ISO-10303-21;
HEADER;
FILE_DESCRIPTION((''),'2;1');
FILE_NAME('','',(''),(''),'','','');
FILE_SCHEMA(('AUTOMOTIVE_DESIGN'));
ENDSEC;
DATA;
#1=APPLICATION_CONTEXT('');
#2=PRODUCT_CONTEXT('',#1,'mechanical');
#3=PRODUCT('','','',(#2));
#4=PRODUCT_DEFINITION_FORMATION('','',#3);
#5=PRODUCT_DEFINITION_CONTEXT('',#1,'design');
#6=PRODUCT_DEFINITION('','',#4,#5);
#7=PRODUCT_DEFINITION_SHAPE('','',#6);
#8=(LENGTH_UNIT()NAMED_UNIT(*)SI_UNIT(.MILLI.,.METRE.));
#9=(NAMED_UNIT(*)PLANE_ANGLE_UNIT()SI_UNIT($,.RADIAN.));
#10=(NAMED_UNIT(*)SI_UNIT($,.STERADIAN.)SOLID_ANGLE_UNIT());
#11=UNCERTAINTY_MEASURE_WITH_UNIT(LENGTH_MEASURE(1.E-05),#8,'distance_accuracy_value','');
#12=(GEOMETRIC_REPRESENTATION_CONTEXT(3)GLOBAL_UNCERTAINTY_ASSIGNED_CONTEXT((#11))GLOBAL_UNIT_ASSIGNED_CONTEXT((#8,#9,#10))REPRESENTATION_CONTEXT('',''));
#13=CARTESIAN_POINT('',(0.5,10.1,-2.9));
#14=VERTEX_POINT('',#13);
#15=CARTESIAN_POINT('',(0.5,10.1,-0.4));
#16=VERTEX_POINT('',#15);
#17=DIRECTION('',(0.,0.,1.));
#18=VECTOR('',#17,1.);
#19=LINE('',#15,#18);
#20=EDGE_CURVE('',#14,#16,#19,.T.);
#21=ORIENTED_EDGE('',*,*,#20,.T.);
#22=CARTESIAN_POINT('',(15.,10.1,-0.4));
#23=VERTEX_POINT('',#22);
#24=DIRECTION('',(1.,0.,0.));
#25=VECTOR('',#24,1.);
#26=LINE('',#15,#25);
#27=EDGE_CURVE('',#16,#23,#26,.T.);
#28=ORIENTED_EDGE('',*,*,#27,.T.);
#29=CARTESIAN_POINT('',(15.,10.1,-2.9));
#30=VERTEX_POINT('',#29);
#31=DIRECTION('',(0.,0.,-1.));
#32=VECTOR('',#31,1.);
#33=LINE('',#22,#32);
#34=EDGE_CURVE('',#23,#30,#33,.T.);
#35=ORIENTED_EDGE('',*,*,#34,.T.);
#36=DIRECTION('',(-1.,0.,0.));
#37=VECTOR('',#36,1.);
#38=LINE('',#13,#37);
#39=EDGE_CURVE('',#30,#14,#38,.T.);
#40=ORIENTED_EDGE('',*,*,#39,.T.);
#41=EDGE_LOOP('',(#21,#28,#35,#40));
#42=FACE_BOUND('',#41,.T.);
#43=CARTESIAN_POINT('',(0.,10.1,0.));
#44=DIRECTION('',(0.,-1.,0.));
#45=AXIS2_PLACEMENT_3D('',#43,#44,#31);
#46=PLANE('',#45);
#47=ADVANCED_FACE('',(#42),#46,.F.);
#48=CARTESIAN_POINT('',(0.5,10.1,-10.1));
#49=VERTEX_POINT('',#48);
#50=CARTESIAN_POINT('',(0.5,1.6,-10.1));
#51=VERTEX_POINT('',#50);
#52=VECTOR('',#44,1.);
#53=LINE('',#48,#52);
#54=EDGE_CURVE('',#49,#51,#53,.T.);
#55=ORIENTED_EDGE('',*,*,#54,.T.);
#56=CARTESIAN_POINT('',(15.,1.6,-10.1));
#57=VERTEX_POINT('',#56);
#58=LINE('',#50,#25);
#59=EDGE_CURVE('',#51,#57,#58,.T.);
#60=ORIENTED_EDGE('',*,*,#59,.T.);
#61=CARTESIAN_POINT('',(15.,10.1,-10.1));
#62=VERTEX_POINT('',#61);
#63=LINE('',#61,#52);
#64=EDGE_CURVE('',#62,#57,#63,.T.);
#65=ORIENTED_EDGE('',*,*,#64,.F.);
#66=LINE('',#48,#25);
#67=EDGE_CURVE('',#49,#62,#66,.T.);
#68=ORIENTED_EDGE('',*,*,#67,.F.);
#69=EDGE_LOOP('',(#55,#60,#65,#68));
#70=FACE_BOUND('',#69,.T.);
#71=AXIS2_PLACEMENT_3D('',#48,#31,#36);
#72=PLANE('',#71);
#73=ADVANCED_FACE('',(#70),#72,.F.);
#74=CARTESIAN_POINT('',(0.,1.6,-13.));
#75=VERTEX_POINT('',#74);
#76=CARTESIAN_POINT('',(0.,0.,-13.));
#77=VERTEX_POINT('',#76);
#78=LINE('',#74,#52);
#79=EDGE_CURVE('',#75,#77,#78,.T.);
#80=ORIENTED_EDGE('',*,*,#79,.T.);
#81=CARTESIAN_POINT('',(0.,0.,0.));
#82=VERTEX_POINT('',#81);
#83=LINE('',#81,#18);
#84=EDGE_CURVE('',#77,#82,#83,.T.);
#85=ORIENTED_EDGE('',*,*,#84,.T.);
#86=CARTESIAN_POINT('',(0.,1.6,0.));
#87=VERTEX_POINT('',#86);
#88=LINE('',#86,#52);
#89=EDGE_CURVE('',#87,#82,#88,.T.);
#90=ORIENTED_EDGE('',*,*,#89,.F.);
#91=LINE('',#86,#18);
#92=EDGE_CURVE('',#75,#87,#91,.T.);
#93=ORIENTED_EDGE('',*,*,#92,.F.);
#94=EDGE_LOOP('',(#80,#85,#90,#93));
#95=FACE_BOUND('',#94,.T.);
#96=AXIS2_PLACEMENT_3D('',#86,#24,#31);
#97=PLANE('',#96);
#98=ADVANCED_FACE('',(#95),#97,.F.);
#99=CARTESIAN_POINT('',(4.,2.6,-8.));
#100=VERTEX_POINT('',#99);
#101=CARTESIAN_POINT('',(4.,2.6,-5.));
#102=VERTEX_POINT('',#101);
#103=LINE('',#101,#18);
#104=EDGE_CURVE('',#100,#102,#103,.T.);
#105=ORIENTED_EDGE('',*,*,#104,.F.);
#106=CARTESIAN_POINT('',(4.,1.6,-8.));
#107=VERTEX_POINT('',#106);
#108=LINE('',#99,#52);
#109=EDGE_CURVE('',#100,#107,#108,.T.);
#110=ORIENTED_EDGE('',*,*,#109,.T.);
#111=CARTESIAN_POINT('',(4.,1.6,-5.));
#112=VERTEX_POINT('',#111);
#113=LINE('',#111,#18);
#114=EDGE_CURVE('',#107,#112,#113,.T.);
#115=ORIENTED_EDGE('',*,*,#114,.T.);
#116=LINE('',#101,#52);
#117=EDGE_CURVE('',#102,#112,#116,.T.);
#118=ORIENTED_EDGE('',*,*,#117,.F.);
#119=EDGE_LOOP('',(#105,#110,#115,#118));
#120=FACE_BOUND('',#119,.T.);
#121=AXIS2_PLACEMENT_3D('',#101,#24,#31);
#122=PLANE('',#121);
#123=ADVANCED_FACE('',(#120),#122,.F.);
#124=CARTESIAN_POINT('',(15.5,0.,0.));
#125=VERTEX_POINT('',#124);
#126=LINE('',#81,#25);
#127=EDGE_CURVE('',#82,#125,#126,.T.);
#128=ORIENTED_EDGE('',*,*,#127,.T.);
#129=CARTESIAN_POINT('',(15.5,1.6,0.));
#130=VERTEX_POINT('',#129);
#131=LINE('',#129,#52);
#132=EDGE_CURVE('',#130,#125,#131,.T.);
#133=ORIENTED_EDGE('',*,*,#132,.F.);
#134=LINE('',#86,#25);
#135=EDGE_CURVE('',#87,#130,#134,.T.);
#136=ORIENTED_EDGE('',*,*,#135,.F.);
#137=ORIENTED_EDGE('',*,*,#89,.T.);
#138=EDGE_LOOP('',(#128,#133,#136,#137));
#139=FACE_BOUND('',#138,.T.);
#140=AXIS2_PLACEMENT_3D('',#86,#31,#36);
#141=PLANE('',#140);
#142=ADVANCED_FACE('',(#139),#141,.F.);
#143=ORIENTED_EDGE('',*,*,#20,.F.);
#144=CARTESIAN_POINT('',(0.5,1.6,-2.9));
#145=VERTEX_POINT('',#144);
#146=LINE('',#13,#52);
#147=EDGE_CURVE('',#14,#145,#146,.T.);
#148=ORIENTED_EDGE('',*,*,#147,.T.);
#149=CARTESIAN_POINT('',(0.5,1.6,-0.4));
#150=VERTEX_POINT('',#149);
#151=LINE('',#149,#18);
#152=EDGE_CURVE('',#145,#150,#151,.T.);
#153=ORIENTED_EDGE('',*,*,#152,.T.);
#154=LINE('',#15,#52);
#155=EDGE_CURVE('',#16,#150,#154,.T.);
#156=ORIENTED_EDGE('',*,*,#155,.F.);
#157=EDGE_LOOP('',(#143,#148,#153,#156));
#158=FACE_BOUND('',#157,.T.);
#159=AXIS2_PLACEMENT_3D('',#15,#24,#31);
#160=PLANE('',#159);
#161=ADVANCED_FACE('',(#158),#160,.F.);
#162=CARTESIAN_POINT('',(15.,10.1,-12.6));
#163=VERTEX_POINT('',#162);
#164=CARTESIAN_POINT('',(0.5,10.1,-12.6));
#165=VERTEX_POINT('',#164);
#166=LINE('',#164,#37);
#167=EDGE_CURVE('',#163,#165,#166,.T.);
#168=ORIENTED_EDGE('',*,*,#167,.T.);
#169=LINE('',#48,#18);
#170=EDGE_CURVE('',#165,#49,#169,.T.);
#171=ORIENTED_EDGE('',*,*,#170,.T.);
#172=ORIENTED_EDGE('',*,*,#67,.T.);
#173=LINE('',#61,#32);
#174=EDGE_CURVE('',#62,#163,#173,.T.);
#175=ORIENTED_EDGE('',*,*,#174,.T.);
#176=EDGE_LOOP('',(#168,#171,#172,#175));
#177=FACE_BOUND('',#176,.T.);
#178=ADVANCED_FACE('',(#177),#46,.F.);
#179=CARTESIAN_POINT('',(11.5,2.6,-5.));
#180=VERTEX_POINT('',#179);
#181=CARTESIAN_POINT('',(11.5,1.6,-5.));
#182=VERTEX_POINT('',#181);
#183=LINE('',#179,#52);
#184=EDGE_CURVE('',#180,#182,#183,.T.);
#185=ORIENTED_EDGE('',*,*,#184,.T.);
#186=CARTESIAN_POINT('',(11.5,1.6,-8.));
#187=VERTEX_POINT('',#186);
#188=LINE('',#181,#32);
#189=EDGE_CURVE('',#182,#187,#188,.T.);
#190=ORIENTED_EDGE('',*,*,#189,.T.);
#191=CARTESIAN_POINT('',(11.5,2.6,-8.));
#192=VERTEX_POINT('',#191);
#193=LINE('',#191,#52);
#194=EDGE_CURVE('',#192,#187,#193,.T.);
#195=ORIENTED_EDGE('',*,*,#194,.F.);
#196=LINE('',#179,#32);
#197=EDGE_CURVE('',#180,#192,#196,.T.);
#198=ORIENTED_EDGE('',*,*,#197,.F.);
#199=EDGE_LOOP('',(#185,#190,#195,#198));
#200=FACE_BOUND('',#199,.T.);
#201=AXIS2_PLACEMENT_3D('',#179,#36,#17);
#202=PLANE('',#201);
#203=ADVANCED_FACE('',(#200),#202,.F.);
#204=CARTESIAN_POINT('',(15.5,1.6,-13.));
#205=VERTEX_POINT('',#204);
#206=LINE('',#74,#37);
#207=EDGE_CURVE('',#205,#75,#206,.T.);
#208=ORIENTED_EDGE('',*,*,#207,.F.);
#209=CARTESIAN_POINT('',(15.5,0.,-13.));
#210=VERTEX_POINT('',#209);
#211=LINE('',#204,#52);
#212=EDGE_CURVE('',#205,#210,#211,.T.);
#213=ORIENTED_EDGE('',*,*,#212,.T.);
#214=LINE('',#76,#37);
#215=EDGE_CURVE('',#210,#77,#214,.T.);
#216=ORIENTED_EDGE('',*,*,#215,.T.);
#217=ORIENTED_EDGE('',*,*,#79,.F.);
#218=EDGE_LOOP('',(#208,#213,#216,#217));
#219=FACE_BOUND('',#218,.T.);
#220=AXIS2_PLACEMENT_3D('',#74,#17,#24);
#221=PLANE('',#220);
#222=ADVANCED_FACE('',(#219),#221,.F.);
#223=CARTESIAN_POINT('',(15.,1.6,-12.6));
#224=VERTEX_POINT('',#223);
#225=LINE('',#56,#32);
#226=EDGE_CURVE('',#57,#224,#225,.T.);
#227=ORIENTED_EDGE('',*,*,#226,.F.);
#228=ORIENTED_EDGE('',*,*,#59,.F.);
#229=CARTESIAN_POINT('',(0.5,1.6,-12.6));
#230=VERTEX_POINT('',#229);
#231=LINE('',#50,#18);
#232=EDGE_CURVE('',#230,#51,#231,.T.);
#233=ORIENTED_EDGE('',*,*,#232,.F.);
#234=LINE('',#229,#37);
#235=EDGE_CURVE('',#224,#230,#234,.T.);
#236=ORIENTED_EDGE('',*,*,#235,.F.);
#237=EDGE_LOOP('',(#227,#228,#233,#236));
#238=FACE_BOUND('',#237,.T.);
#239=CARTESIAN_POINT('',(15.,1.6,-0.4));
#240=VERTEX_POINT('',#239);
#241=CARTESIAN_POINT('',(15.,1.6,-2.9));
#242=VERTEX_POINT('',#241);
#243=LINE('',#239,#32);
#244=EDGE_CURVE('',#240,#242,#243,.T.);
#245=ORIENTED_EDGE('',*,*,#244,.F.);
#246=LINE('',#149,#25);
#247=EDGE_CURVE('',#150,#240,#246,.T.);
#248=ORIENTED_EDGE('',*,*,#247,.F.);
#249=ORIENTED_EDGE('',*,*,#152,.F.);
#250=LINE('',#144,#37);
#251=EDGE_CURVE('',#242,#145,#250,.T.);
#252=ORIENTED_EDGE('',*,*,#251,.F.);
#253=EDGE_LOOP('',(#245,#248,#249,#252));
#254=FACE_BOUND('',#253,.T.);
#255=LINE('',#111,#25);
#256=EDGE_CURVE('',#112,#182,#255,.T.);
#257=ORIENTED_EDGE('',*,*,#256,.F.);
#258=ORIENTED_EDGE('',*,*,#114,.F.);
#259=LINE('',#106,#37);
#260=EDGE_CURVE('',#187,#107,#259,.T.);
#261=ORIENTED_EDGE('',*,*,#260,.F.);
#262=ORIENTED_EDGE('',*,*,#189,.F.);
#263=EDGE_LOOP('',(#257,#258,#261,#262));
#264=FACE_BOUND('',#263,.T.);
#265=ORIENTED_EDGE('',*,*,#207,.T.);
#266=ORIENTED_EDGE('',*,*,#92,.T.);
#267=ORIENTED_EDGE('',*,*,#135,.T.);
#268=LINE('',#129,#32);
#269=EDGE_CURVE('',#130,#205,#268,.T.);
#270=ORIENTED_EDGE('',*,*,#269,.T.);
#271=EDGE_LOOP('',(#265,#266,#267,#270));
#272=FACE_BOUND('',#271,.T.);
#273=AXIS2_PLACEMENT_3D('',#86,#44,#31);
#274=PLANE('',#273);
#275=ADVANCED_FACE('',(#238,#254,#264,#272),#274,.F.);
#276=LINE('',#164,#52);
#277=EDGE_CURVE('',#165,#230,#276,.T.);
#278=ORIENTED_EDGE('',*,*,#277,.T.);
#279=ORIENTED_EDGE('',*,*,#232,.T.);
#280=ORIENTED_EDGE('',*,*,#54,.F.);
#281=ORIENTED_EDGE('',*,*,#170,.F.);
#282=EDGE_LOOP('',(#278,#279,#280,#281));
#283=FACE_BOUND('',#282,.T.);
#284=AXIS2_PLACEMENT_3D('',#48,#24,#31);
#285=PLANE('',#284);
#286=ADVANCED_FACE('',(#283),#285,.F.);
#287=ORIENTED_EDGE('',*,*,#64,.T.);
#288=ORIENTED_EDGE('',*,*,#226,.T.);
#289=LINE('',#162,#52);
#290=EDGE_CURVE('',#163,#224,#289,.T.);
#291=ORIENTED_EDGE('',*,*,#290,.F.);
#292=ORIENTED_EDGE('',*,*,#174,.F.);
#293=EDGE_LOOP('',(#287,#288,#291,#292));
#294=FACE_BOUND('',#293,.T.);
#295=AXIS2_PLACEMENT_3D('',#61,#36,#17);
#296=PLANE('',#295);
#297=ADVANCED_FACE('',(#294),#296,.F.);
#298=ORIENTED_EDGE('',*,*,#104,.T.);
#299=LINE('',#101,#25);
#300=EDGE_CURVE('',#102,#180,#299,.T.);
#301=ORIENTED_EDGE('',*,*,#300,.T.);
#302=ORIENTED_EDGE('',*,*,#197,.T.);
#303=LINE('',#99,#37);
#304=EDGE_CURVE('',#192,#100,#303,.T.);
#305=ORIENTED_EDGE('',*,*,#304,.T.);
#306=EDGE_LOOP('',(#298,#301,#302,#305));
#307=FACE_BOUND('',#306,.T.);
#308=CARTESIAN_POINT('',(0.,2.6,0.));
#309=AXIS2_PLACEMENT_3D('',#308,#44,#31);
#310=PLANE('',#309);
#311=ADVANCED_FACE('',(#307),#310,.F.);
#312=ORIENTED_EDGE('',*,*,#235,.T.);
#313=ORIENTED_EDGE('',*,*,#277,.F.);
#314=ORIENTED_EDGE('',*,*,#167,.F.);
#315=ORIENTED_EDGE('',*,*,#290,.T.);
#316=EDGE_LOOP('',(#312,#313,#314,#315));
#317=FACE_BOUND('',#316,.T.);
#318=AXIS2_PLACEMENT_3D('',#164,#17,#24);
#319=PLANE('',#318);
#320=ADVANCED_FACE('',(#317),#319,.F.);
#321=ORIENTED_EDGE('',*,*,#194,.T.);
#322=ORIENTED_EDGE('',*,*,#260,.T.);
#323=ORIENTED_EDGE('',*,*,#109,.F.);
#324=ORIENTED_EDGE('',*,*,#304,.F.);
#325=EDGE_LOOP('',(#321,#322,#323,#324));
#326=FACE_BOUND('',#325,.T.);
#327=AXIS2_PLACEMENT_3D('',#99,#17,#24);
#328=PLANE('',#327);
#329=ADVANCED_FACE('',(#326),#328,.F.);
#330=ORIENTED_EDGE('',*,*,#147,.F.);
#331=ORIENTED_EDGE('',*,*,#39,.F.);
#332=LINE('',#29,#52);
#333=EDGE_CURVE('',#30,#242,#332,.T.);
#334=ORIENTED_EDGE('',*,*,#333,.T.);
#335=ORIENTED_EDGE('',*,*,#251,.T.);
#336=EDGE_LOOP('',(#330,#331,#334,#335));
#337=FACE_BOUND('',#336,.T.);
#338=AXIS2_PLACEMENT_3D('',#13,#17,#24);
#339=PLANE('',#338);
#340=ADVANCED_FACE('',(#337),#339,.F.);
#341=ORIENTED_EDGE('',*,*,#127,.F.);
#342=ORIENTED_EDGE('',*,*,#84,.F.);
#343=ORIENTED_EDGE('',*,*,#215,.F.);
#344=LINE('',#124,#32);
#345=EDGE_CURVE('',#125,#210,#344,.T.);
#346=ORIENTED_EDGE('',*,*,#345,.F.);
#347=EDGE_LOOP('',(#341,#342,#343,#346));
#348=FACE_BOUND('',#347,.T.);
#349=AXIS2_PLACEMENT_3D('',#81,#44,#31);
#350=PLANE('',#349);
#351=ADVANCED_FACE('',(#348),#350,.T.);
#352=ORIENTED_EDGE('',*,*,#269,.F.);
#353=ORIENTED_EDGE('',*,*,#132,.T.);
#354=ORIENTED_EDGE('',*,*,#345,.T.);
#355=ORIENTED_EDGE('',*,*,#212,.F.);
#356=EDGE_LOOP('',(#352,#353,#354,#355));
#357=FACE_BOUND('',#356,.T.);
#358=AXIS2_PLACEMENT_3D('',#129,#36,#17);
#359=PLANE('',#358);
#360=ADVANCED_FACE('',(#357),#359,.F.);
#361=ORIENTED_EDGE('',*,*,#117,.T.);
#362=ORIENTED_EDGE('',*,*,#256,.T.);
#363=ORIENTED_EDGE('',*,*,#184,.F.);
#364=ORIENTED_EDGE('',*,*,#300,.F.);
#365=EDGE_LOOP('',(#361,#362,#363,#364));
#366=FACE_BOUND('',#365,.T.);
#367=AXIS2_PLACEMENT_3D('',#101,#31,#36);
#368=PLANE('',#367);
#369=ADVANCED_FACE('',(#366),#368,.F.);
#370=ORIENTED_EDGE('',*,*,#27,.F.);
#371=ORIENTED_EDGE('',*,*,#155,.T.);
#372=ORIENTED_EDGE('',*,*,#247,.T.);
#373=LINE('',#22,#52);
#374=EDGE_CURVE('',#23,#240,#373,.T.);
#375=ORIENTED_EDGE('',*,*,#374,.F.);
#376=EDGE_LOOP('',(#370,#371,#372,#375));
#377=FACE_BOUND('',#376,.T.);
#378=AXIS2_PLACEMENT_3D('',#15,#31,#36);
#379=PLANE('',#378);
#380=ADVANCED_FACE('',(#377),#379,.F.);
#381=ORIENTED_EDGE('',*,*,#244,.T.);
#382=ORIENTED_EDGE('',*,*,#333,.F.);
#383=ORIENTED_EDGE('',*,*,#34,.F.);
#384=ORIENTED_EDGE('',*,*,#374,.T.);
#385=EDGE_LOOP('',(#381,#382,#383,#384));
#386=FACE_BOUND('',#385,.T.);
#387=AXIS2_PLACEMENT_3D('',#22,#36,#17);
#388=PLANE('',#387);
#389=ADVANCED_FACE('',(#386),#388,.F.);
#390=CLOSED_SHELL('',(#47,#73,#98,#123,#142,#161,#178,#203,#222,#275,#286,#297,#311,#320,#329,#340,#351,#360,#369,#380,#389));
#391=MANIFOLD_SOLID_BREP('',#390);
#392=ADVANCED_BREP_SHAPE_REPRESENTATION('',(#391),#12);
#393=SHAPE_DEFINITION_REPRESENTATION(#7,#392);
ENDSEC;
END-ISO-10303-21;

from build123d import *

# Parameters (mm, degrees)
SKETCH1_W       = 15.5
SKETCH1_H       = 13
PCB_DEPTH       = 1.6
HEADER_HV_START = 1.6
SKETCH2_W       = 14.5
SKETCH2_H       = 2.5
HEADER_HV_DEPTH = 8.5
HEADER_LV_START = 1.6
SKETCH3_W       = 14.5
SKETCH3_H       = 2.5
HEADER_LV_DEPTH = 8.5
MOSFETS_START   = 1.6
SKETCH4_W       = 7.5
SKETCH4_H       = 3
MOSFETS_DEPTH   = 1


with BuildPart() as part:
    # Sketch1 → PCB (new body)
    with BuildSketch(Plane(origin=(0, 0, 0), x_dir=(1, 0, 0), z_dir=(0, 1, 0))):
        with Locations((7.75, 6.5)):
            Rectangle(SKETCH1_W, SKETCH1_H)
    extrude(amount=PCB_DEPTH)

    # Sketch2 → Header_HV (add)
    with BuildSketch(Plane(origin=(0, 0, 0), x_dir=(1, 0, 0), z_dir=(0, 1, 0)).offset(HEADER_HV_START)):
        with Locations((7.75, 1.65)):
            Rectangle(SKETCH2_W, SKETCH2_H)
    extrude(amount=HEADER_HV_DEPTH)

    # Sketch3 → Header_LV (add)
    with BuildSketch(Plane(origin=(0, 0, 0), x_dir=(1, 0, 0), z_dir=(0, 1, 0)).offset(HEADER_LV_START)):
        with Locations((7.75, 11.35)):
            Rectangle(SKETCH3_W, SKETCH3_H)
    extrude(amount=HEADER_LV_DEPTH)

    # Sketch4 → MOSFETs (add)
    with BuildSketch(Plane(origin=(0, 0, 0), x_dir=(1, 0, 0), z_dir=(0, 1, 0)).offset(MOSFETS_START)):
        with Locations((7.75, 6.5)):
            Rectangle(SKETCH4_W, SKETCH4_H)
    extrude(amount=MOSFETS_DEPTH)


solid = part.part
